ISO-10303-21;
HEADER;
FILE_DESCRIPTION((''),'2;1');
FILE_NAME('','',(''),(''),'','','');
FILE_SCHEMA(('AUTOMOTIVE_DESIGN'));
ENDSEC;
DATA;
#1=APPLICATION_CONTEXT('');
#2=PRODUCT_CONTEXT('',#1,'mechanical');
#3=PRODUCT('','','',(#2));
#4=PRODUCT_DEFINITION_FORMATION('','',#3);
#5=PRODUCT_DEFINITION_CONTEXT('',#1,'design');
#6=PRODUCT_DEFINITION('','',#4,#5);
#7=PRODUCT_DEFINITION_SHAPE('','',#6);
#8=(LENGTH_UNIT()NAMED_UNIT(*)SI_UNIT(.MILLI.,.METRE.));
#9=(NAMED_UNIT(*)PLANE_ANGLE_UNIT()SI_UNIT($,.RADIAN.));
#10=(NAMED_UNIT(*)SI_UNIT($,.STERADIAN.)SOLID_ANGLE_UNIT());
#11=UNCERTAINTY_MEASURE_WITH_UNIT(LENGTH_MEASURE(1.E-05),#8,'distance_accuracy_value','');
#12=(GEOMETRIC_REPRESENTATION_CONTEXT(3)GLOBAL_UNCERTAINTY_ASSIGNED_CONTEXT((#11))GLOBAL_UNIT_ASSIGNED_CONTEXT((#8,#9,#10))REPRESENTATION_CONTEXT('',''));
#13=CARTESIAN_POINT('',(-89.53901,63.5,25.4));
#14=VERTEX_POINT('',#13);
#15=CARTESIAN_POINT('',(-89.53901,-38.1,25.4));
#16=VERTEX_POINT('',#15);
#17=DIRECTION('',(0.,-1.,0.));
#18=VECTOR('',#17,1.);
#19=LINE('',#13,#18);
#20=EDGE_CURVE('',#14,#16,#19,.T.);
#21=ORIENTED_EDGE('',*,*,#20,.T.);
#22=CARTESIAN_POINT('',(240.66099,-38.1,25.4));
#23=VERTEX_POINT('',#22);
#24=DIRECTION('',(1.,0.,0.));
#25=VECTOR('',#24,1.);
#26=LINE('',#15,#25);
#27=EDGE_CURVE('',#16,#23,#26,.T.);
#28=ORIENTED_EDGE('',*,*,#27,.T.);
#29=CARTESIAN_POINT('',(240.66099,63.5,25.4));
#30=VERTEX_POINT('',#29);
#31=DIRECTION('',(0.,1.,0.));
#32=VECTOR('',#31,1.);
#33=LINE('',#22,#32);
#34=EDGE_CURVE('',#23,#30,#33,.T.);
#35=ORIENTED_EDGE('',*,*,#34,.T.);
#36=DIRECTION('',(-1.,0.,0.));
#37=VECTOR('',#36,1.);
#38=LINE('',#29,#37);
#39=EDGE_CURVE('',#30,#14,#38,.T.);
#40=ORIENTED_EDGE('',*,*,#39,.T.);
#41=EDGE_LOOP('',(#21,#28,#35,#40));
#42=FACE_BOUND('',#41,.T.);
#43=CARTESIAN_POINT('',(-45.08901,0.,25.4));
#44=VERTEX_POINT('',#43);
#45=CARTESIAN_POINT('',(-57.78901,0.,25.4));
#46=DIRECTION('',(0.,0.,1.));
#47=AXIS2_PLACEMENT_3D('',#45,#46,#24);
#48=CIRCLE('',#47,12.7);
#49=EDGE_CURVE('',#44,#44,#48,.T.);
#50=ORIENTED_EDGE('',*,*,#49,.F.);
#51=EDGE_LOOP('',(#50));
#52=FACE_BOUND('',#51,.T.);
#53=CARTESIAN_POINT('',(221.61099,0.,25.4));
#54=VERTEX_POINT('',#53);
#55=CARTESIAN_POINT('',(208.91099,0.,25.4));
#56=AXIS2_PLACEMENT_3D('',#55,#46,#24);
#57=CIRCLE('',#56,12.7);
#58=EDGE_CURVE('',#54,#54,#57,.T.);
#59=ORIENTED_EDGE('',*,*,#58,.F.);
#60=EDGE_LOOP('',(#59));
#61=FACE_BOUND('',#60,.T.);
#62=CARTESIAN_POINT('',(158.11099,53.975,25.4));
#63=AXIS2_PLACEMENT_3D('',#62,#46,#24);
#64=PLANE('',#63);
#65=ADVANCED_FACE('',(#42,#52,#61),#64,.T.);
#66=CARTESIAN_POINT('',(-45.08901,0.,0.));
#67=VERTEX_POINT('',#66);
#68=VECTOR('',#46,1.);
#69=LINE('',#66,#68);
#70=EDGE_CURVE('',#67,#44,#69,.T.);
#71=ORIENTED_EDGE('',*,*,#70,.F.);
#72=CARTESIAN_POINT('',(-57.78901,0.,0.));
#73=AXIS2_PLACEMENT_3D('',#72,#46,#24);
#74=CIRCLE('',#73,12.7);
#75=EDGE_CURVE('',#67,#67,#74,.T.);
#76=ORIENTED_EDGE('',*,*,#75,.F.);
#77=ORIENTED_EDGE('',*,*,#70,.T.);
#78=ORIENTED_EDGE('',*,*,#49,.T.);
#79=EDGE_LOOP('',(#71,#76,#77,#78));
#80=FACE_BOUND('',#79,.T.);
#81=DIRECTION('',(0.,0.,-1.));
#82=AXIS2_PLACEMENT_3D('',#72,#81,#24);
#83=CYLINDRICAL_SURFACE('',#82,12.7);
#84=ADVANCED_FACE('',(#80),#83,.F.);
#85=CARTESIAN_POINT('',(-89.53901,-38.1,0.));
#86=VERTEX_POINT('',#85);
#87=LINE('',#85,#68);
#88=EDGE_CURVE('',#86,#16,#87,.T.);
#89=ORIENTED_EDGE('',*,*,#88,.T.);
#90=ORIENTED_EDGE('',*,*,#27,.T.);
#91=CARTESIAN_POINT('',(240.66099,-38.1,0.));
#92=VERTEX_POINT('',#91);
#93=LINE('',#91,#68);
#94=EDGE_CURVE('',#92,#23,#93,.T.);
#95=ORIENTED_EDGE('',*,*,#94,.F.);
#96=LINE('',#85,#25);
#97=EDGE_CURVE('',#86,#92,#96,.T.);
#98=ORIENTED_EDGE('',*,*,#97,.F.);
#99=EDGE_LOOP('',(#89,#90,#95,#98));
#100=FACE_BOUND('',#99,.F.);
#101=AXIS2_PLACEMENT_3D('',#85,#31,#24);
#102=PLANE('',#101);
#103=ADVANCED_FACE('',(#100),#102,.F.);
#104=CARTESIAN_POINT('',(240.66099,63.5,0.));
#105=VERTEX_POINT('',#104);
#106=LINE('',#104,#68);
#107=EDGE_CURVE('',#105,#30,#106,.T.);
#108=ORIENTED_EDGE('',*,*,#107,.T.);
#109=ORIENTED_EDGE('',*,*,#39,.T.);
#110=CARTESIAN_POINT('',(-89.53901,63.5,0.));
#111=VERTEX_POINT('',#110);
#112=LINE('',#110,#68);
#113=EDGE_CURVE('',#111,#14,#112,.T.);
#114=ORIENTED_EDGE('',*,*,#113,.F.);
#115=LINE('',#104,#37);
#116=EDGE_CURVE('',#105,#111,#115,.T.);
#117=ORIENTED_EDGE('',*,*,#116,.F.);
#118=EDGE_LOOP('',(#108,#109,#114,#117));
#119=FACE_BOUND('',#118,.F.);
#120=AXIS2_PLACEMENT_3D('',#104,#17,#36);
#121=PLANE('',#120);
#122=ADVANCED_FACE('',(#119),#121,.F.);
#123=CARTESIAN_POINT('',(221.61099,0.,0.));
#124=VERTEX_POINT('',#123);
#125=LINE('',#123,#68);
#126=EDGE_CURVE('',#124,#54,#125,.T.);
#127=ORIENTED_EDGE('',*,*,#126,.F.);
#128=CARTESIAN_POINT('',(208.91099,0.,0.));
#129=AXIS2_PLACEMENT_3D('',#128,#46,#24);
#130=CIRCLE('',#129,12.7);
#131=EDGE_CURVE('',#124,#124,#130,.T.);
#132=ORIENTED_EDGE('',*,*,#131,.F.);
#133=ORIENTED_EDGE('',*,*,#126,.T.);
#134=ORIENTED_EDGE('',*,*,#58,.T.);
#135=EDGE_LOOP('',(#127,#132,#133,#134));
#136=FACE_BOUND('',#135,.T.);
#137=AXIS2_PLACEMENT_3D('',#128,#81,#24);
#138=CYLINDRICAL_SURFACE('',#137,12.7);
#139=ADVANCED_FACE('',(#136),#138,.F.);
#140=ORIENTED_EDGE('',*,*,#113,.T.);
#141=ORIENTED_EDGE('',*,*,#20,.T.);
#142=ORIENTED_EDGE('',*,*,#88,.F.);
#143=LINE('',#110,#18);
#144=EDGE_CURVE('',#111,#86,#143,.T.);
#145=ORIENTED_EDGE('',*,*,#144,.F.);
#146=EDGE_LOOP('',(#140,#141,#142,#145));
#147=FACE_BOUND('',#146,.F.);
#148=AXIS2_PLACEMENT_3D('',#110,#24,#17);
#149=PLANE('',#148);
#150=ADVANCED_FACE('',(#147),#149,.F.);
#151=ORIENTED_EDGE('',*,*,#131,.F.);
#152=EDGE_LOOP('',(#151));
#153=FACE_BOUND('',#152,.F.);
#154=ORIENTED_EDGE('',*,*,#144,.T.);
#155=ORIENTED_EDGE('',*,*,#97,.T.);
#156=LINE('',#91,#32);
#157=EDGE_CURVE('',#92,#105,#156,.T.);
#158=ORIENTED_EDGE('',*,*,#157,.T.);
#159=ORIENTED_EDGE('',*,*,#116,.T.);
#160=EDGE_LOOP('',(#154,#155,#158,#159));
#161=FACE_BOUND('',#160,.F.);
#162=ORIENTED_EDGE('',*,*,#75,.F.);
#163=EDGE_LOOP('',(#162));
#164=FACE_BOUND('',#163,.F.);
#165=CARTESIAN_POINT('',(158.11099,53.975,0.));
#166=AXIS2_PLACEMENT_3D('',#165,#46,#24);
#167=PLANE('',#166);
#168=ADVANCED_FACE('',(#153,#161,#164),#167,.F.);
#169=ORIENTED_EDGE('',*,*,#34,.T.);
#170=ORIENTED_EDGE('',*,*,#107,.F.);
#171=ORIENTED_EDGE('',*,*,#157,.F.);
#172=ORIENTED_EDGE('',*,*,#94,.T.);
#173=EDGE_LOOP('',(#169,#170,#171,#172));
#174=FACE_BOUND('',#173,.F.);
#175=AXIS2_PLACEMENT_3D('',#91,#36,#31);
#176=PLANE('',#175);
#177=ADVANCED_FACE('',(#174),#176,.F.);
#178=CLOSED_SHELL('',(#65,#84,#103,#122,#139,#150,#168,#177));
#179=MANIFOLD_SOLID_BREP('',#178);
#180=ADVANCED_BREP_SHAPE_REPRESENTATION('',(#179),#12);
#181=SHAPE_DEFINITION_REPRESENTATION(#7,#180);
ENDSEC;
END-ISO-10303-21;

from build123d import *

# Parameters (mm, degrees)
F0_W     = 165.1
F0_H     = 19.05
F0_R     = 12.7
F1_DEPTH = 25.4


with BuildPart() as f1:
    # F0 (on Top) → F1 (new body)
    with BuildSketch(Plane.XY):
        with Locations((158.11099, 53.975)):
            Rectangle(F0_W, F0_H)
        Polygon((75.56099, 44.45), (-89.53901, 44.45), (-89.53901, 0), (-89.53901, -38.1), (-57.78901, -38.1), (75.56099, -38.1), align=None)
        with Locations((-57.78901, 0)):
            Circle(F0_R, mode=Mode.SUBTRACT)
        Polygon((240.66099, 44.45), (75.56099, 44.45), (75.56099, -38.1), (208.91099, -38.1), (240.66099, -38.1), (240.66099, 0), align=None)
        with Locations((208.91099, 0)):
            Circle(F0_R, mode=Mode.SUBTRACT)
        with Locations((-6.98901, 53.975)):
            Rectangle(F0_W, F0_H)
    extrude(amount=F1_DEPTH)


solid = f1.part
